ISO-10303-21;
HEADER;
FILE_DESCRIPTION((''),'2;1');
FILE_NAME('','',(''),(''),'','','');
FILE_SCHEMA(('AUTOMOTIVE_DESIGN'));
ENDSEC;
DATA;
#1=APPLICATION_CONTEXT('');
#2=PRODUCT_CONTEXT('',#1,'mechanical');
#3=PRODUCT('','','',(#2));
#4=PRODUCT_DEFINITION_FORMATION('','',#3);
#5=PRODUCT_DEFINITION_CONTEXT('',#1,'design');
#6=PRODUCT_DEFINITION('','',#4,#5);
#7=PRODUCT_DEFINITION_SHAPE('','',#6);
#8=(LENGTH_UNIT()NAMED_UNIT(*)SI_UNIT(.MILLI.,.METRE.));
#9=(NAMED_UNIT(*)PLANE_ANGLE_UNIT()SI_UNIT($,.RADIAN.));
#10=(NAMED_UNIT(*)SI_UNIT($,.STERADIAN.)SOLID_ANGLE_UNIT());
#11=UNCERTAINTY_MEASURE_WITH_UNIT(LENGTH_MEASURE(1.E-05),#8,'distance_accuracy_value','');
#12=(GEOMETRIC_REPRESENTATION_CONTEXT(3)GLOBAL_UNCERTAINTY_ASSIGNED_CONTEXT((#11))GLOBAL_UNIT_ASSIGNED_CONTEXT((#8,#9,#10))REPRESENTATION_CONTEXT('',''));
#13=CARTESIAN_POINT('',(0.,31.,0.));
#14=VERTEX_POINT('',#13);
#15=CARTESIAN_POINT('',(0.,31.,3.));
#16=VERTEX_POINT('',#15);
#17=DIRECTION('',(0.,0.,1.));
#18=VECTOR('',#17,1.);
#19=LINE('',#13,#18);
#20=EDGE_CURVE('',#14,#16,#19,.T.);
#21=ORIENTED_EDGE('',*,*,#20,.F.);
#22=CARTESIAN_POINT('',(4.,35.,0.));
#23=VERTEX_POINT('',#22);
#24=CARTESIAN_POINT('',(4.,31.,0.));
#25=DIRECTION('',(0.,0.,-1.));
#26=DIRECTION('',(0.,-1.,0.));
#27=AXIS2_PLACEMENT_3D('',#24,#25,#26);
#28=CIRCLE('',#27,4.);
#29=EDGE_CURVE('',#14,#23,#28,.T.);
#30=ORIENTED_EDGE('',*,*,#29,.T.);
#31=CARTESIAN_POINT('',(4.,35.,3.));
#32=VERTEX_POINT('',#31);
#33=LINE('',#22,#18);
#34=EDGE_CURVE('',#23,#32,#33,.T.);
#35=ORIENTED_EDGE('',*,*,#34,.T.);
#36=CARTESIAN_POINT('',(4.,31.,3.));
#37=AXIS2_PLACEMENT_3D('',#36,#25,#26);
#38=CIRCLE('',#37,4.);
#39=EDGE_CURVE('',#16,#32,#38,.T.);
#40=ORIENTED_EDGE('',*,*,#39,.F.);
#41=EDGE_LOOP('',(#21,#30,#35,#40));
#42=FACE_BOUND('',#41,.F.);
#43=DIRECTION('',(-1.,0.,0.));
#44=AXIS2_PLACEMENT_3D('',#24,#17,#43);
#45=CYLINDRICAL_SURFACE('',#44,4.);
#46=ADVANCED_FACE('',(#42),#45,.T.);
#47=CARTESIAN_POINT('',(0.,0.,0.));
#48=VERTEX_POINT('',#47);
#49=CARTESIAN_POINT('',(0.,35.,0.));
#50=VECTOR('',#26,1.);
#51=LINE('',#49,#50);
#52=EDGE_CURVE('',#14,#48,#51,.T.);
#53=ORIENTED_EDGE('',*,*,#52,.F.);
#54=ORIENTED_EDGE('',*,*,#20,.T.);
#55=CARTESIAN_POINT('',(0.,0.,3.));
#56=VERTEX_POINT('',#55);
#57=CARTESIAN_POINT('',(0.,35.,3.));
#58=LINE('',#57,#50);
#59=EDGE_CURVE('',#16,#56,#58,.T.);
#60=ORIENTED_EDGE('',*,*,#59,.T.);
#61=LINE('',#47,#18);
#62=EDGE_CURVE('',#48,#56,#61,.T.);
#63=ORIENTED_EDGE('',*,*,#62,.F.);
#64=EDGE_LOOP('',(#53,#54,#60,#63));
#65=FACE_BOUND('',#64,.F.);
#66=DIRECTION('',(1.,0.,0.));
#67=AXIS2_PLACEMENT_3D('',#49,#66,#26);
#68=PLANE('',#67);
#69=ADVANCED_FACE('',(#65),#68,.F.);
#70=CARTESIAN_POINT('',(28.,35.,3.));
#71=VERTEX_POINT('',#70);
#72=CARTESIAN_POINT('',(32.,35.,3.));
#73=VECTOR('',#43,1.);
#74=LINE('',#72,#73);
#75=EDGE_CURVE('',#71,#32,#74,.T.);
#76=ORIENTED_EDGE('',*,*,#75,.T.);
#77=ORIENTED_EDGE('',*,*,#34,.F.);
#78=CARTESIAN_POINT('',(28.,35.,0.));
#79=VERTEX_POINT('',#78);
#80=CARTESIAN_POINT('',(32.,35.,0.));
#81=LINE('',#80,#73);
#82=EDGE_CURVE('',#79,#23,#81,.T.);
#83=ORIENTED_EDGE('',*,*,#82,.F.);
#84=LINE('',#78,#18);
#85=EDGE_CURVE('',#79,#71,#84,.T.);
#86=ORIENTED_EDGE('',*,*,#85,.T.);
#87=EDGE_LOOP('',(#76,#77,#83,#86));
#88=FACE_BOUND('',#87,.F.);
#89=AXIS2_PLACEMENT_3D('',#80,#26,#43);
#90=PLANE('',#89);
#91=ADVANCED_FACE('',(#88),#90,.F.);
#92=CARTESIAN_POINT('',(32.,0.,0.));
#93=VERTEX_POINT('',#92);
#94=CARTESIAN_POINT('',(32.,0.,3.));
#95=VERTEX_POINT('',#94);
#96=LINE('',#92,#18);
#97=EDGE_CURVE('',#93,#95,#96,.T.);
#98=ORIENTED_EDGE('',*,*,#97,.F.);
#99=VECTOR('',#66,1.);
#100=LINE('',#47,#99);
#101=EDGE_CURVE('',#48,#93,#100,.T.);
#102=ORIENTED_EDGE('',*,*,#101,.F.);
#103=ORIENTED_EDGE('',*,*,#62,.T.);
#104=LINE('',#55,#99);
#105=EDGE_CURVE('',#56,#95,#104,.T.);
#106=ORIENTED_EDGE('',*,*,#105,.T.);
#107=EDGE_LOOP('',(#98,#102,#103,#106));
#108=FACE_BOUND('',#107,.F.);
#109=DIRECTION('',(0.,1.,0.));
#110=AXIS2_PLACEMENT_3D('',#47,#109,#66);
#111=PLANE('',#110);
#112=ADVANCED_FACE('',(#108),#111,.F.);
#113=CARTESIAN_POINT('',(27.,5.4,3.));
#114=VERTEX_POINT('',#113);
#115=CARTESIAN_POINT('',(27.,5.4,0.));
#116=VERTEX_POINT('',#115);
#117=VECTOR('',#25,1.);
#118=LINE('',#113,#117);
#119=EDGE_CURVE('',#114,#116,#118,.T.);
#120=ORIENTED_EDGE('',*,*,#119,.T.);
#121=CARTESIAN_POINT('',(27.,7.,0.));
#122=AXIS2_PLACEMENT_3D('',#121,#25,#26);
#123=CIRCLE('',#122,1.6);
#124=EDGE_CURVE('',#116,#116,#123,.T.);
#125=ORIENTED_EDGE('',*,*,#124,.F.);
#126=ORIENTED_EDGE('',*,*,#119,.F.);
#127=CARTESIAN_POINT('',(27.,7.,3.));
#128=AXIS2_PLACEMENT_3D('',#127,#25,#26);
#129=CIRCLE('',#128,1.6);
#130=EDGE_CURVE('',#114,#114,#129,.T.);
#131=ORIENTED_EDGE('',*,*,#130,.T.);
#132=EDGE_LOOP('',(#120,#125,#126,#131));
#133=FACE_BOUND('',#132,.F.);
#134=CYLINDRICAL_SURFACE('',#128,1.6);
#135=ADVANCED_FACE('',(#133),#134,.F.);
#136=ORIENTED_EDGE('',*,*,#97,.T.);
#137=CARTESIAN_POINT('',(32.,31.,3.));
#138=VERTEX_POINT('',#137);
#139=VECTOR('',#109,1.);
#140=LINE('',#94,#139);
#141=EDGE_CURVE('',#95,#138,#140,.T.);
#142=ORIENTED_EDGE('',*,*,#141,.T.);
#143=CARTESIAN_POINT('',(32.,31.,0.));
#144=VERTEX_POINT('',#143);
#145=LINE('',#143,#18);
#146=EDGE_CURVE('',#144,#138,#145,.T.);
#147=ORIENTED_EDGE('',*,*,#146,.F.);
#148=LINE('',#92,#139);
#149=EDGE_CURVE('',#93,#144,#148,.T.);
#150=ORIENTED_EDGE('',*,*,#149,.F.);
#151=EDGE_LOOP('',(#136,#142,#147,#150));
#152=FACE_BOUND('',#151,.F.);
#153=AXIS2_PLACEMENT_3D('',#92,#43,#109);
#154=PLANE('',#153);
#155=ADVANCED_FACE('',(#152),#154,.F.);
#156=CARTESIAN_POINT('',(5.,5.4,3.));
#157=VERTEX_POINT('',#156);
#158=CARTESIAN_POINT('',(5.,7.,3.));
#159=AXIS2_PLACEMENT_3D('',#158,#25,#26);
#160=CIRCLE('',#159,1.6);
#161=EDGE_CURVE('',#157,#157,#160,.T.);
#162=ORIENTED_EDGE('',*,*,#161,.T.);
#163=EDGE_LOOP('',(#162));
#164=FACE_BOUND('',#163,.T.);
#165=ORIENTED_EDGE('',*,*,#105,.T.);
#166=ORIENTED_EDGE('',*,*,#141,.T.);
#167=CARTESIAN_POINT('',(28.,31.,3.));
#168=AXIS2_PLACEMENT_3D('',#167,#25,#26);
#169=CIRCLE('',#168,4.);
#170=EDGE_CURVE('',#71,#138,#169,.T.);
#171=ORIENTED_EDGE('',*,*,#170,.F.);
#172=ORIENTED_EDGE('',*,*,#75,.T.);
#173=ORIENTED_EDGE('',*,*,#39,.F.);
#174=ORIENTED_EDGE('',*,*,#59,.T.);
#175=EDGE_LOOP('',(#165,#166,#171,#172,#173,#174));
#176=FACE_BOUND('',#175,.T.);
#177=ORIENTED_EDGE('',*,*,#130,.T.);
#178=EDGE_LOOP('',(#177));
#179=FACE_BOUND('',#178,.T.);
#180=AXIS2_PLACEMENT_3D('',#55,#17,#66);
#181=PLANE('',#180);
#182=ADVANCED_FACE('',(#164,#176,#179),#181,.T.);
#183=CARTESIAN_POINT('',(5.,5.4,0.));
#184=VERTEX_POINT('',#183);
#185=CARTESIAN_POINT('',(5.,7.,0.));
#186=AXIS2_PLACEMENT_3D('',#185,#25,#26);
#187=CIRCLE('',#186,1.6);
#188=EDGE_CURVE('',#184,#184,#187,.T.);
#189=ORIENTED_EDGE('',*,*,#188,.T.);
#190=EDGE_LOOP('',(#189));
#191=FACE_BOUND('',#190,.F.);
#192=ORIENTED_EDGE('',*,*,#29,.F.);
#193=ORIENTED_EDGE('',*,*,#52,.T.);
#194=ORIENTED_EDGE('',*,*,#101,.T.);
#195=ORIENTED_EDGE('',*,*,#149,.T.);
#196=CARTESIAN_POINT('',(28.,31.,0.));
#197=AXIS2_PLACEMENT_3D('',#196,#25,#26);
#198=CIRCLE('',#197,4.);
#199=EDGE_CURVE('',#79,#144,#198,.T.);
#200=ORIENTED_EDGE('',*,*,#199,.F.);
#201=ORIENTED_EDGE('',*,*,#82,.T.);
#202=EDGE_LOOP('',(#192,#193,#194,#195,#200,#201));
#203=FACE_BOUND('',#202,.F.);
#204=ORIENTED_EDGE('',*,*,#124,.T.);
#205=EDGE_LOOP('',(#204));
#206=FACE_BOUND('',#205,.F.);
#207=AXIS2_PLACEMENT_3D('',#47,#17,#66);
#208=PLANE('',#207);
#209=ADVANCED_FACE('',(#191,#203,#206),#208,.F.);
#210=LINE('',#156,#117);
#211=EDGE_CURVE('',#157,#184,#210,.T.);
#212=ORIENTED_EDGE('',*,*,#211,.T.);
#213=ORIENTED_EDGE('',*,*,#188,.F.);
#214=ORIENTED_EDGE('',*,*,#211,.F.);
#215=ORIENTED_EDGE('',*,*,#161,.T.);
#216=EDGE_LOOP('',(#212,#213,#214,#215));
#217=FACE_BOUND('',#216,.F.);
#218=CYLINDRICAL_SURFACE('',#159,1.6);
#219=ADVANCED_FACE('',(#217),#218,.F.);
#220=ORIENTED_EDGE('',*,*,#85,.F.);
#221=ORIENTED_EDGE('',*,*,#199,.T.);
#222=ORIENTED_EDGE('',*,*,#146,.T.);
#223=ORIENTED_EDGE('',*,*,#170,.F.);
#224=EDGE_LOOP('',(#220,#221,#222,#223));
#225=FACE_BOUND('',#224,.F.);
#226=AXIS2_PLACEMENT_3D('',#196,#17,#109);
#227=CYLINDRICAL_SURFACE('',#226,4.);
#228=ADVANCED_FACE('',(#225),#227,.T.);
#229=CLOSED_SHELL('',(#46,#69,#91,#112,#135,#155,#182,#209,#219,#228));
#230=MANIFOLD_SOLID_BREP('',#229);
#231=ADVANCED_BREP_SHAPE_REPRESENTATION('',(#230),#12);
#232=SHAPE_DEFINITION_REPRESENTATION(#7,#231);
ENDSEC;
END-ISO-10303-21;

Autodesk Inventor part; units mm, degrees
ref_plane "YZ Plane" through (0, 0, 0) normal (1, 0, 0) x (0, 1, 0)
ref_plane "XZ Plane" through (0, 0, 0) normal (0, 1, 0) x (-1, 0, 0)
ref_plane "XY Plane" through (0, 0, 0) normal (0, 0, 1) x (1, 0, 0)
sketch "Sketch1" plane through (0, 0, 0) normal (0, 0, 1) x (1, 0, 0)
  line L0 (0, 0) -> (32, 0)
  line L1 (32, 0) -> (32, 35)
  line L2 (32, 35) -> (0, 35)
  line L3 (0, 35) -> (0, 0)
  dimension "d0" = 32
  dimension "d1" = 35
extrude "Extrusion1" add sketch "Sketch1" along normal blind 3
sketch "Sketch2" plane through (0, 0, 3) normal (0, 0, 1) x (1, 0, 0)
  line L0 (0, 0) -> (0, 35) projected
  line L1 (32, 0) -> (0, 0) projected
  point P0 (5, 7)
  point P1 (27, 7)
  dimension "d4" = 7
  dimension "d5" = 7
  dimension "d6" = 22
  dimension "d7" = 5
hole "Hole1" at (5, 7, 3) at (27, 7, 3) direction (0, 0, -1) diameter 3.2 depth 8 tip angle 118
fillet "Fillet1" radius 4 2 edges at (32, 35, 1.5) (0, 35, 1.5)
properties part number "PLACA" material "Carbon Steel"
